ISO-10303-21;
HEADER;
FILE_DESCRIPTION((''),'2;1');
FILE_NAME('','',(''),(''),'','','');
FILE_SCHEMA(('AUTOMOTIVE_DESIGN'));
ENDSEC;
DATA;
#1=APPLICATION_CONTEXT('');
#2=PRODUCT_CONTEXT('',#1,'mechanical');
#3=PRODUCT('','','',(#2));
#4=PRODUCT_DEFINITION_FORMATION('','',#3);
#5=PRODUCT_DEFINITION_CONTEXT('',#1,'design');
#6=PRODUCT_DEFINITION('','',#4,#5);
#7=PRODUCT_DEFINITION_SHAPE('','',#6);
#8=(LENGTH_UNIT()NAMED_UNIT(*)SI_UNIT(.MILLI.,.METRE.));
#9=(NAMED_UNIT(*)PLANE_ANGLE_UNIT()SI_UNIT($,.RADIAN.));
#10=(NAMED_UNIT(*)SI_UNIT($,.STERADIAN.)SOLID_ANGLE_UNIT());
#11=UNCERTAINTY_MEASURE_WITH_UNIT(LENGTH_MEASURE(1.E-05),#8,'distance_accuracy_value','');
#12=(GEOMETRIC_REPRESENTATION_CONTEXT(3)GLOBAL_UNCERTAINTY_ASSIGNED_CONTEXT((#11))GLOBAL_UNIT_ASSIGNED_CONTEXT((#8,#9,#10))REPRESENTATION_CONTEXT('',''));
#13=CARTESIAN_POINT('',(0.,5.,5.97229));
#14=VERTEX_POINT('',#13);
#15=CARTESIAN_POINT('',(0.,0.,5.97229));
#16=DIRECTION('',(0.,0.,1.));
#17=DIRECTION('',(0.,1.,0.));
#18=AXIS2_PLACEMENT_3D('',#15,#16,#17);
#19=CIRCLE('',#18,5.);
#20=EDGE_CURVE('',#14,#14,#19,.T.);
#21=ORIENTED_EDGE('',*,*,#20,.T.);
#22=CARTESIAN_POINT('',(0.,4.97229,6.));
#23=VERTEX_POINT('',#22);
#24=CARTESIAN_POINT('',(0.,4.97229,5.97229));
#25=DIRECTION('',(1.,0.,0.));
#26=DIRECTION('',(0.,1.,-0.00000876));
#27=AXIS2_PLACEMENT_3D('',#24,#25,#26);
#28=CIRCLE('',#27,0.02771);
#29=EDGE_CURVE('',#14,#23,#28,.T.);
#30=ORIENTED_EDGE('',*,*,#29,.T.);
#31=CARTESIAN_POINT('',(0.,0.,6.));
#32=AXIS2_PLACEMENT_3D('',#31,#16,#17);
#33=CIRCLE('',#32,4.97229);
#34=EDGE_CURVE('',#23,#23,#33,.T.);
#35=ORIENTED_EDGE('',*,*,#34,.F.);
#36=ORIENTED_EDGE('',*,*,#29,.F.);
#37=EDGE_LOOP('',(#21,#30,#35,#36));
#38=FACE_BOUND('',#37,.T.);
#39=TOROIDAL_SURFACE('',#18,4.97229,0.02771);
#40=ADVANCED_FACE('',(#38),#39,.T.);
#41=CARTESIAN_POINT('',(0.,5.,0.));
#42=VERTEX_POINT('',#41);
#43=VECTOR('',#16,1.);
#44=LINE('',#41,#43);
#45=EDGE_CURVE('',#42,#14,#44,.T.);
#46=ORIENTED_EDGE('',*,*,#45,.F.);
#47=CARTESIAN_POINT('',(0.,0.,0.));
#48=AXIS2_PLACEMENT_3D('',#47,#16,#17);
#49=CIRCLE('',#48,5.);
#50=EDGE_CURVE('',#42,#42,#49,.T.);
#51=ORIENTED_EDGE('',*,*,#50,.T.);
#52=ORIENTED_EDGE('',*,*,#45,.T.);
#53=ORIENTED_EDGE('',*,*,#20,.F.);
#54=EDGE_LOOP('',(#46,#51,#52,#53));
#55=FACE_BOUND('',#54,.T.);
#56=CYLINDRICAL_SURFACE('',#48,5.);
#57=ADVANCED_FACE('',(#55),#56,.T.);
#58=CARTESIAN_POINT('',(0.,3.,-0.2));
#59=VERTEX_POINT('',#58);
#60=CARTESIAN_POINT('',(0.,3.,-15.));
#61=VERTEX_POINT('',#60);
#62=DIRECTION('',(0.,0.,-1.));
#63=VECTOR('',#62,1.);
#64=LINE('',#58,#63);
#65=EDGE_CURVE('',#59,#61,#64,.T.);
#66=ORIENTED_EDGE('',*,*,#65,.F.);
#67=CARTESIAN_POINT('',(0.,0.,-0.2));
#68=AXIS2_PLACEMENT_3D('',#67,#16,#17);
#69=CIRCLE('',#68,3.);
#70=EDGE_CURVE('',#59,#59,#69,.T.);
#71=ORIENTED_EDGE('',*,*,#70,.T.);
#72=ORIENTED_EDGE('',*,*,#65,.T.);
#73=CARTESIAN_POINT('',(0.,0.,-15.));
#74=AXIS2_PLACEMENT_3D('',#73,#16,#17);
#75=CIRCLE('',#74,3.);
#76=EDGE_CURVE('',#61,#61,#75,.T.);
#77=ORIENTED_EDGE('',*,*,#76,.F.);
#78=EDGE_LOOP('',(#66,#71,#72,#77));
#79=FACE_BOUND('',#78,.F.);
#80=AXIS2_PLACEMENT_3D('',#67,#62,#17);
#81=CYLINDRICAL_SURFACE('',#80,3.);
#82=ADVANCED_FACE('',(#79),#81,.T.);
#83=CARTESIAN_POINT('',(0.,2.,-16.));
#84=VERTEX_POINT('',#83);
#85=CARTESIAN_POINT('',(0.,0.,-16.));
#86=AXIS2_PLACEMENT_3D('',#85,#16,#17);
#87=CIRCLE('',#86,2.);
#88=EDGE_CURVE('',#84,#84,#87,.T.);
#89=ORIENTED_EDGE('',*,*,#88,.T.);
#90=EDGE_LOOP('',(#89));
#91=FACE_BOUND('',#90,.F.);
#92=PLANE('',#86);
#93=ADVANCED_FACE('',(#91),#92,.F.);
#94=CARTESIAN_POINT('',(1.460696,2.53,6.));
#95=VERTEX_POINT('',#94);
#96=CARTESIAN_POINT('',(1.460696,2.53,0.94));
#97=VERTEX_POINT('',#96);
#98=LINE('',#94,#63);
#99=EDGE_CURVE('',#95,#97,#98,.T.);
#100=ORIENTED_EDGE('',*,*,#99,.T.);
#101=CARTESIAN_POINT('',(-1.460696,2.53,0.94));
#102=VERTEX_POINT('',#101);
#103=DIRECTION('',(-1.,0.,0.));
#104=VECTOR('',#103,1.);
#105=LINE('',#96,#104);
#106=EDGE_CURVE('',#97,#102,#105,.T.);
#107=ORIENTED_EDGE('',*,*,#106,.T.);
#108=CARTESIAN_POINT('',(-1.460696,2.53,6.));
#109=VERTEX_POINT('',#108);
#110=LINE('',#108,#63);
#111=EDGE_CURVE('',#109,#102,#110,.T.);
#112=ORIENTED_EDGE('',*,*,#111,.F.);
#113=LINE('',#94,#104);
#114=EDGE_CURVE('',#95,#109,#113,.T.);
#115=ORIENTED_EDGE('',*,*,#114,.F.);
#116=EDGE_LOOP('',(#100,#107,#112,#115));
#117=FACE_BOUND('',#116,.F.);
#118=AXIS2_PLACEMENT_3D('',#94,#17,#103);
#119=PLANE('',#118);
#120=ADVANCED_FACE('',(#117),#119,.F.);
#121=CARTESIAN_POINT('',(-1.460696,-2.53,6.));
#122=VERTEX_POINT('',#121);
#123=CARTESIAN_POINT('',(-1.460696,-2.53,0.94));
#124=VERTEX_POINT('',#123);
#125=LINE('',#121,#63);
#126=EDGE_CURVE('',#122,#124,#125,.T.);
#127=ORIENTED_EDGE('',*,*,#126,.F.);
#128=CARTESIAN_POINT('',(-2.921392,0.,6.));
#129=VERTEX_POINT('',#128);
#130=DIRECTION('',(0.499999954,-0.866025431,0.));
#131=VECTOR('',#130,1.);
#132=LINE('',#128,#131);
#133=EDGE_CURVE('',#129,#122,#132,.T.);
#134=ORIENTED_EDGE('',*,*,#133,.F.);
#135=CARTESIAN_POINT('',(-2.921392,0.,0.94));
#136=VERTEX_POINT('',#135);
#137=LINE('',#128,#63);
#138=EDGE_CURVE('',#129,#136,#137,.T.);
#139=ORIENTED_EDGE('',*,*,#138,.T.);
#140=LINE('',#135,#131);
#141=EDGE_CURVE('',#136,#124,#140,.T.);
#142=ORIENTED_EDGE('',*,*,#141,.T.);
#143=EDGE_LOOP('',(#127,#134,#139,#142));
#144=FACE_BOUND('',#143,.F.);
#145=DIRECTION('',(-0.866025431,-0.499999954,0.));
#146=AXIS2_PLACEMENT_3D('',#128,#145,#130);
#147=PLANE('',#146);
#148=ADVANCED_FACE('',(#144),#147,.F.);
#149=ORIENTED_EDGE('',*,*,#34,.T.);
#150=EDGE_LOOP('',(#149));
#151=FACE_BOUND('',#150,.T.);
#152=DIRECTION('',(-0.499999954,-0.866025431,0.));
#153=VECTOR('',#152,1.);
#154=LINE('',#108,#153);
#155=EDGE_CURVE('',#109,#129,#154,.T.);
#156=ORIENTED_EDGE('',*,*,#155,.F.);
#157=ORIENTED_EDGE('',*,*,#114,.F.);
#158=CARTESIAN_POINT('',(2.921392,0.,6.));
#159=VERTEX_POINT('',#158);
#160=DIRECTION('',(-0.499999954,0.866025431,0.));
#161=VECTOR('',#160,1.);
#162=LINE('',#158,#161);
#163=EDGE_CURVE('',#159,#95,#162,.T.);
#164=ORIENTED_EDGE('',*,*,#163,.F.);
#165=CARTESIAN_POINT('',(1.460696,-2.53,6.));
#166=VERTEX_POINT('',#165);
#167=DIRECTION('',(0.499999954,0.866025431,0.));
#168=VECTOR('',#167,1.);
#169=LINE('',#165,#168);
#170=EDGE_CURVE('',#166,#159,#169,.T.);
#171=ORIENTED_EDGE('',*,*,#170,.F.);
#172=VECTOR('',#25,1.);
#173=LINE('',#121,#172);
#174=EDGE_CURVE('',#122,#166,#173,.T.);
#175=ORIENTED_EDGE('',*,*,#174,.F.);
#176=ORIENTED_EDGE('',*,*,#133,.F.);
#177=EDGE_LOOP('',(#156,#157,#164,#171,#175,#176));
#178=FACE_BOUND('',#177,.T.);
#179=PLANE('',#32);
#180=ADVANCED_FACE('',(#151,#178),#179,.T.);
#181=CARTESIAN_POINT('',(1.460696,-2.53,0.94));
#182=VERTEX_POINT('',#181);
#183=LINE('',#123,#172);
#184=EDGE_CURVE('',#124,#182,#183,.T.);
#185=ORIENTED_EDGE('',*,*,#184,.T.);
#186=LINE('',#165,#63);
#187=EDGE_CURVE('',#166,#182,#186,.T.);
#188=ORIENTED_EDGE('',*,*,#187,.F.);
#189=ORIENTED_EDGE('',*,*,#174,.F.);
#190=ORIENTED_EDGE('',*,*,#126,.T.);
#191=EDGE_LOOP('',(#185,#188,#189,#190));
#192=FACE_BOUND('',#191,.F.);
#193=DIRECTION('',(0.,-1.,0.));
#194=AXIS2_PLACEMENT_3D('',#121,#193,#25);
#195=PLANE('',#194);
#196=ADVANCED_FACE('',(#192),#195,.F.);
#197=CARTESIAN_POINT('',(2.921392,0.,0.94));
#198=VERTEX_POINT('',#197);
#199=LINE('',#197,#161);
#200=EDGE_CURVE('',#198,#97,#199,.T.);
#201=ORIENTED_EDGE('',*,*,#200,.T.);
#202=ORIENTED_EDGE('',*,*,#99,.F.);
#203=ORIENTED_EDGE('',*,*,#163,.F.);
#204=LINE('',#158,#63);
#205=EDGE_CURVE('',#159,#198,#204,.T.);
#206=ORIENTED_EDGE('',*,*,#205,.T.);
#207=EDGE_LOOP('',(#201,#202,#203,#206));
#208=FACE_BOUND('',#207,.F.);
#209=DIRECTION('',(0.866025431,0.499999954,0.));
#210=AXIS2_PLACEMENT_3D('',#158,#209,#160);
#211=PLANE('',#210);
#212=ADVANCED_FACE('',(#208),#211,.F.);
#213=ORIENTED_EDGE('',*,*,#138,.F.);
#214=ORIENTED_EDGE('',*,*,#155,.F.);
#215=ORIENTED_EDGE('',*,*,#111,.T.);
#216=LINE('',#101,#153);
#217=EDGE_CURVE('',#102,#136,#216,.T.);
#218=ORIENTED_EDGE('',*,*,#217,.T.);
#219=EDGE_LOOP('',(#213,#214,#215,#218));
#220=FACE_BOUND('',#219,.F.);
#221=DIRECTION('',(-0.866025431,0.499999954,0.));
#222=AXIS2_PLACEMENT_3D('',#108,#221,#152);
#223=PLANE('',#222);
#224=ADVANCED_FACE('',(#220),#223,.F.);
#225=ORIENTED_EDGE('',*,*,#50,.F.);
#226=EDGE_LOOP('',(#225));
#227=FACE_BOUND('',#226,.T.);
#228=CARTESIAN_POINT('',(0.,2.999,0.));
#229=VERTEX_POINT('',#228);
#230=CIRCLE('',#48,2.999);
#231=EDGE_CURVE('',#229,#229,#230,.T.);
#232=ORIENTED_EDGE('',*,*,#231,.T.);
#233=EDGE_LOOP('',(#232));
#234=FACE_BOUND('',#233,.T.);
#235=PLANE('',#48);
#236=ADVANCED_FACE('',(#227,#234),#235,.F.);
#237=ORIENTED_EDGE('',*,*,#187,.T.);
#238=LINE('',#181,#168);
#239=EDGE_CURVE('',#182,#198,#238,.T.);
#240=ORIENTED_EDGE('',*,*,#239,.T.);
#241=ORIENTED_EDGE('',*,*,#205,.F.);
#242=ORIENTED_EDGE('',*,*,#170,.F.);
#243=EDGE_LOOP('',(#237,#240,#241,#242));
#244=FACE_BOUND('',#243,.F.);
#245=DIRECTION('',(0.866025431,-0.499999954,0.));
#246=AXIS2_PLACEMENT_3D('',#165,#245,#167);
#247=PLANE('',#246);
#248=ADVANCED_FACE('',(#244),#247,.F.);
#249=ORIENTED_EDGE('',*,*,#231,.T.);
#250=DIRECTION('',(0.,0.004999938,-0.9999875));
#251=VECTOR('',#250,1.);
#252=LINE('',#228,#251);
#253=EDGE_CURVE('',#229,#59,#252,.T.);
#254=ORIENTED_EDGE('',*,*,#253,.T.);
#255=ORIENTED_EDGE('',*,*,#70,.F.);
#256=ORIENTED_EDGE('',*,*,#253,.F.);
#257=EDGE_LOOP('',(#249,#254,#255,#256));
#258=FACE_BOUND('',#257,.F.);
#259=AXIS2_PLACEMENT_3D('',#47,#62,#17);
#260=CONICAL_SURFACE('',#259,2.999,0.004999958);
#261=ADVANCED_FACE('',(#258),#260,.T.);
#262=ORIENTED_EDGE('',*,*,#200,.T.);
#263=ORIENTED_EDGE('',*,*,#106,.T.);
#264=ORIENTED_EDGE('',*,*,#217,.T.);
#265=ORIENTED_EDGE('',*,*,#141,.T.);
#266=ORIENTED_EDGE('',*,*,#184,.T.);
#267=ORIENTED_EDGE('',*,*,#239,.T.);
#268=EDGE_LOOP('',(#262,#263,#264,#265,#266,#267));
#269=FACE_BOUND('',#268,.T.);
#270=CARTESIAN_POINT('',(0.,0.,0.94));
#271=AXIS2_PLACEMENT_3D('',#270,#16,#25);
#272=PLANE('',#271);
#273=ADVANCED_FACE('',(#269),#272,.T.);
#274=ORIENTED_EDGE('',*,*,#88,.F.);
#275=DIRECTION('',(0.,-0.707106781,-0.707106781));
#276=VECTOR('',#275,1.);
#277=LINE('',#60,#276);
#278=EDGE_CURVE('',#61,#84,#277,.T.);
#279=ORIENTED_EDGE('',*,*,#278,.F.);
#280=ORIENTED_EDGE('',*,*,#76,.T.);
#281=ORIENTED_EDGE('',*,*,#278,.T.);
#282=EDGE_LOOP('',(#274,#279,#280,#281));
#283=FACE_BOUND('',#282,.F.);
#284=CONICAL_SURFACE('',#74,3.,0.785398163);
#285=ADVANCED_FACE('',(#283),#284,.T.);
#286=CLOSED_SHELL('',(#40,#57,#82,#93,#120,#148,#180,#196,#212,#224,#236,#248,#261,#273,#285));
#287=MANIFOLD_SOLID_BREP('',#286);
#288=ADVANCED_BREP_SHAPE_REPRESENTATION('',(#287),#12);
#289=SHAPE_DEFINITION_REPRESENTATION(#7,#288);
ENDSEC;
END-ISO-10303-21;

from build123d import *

# Parameters (mm, degrees)
POCKET_DEPTH = 5.06


with BuildPart() as part:
    # Sketch → Revolve (revolve)
    with BuildSketch(Plane.YZ):
        with BuildLine():
            Line((2.999, 0), (5, 0))
            Line((5, 0), (5, 5.97229))
            ThreePointArc((5, 5.97229), (4.991884, 5.991884), (4.97229, 6))
            Line((4.97229, 6), (0, 6))
            Line((0, -16), (0, 6))
            Line((2, -16), (0, -16))
            Line((3, -15), (2, -16))
            Line((3, -0.2), (3, -15))
            Line((2.999, 0), (3, -0.2))
        make_face()
    revolve(axis=Axis((0, 0, 0), (0, 0, 1)))

    # Sketch001 → Pocket (cut)
    with BuildSketch(Plane.XY.offset(6)):
        Polygon((2.921392, 0), (1.460696, 2.53), (-1.460696, 2.53), (-2.921392, 0), (-1.460696, -2.53), (1.460696, -2.53), align=None)
    extrude(amount=-POCKET_DEPTH, mode=Mode.SUBTRACT)


solid = part.part
